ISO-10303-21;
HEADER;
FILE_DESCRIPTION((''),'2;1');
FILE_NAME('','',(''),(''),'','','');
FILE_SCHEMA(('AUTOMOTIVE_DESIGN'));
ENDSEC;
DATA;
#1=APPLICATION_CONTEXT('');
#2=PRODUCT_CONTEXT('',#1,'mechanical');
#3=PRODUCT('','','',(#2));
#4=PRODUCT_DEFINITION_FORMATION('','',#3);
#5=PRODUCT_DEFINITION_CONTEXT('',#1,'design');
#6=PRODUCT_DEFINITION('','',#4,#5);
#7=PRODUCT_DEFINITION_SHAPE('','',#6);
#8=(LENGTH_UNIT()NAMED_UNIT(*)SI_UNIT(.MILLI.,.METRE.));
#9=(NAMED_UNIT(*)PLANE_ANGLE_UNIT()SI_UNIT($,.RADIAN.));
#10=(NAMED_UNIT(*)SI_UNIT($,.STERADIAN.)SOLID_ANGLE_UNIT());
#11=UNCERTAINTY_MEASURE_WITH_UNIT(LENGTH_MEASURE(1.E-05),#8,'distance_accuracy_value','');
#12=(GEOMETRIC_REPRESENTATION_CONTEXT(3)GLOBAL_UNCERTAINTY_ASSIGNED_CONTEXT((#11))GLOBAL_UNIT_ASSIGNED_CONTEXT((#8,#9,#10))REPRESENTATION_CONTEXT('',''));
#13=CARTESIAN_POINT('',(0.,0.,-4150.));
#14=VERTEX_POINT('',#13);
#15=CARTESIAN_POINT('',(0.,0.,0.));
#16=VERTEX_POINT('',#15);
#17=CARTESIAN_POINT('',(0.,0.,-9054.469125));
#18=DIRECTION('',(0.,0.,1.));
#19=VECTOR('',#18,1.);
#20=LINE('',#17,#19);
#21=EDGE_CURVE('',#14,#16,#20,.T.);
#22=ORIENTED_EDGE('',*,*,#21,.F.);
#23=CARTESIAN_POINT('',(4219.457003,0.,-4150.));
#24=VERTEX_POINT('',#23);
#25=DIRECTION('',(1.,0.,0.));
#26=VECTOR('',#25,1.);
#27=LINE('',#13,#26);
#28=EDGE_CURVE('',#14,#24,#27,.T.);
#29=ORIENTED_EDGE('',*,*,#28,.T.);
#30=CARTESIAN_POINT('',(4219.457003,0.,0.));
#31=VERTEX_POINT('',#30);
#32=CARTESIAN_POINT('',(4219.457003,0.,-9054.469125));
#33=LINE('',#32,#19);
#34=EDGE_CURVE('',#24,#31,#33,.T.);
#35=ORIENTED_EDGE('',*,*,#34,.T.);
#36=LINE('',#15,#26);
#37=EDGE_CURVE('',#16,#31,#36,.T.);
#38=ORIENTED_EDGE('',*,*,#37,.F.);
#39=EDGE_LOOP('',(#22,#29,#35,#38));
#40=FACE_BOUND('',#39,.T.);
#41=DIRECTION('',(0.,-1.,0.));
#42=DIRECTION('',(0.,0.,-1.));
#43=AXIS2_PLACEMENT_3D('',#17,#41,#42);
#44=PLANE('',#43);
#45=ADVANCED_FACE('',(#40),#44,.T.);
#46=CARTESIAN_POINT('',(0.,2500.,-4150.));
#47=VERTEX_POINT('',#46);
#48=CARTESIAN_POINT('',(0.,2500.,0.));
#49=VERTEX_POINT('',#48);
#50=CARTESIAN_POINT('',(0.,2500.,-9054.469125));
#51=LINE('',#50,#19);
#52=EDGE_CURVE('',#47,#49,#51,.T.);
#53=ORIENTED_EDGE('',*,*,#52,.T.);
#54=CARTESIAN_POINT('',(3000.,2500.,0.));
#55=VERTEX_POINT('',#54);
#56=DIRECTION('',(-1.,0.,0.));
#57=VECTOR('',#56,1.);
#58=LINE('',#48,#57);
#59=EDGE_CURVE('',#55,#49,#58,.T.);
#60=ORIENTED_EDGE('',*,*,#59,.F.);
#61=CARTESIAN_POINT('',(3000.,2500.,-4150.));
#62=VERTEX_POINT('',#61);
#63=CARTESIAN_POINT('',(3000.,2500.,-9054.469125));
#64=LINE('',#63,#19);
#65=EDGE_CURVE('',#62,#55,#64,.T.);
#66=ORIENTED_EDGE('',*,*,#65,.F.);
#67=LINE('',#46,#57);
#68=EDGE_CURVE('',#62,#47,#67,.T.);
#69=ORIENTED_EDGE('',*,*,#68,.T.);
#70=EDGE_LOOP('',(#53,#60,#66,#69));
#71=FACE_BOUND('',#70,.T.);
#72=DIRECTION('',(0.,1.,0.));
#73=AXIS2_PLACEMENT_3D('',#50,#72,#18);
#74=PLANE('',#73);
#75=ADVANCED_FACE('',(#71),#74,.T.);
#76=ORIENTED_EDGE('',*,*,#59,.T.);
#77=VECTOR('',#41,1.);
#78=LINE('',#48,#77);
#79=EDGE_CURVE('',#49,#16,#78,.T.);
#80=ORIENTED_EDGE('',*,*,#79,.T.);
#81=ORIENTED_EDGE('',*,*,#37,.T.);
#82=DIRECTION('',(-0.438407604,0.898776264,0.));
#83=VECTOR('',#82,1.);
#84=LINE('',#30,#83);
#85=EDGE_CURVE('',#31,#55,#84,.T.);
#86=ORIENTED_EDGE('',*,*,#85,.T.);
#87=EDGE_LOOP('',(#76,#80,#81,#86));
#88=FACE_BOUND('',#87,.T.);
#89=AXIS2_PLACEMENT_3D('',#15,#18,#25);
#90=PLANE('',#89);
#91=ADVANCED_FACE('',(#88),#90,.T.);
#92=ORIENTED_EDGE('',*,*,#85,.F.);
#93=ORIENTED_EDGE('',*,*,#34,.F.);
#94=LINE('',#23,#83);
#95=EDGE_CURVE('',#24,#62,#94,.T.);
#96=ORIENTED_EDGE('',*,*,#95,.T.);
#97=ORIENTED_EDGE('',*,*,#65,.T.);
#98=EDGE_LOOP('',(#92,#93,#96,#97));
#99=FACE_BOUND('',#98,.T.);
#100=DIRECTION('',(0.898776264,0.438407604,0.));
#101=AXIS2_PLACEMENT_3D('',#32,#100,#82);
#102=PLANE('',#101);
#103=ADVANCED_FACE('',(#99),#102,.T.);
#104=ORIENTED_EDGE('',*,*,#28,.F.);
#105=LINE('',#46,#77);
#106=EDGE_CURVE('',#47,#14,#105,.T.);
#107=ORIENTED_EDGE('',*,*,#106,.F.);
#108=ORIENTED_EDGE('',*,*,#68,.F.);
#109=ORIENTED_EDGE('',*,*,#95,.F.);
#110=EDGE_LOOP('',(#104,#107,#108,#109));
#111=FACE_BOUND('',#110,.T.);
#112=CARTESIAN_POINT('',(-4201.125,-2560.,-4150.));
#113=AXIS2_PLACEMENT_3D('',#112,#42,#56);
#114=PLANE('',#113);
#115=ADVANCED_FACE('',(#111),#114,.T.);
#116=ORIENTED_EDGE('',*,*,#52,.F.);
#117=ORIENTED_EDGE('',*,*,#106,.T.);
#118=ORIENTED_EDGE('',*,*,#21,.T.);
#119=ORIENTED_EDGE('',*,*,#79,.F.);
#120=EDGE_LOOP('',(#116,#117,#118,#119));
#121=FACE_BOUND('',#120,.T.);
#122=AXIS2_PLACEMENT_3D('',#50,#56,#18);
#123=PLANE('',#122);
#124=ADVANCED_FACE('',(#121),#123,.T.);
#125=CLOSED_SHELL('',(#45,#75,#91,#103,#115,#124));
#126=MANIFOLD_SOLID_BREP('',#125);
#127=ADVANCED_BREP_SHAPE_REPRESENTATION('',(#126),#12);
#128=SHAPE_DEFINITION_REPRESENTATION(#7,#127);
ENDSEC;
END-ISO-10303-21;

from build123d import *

# Parameters (mm, degrees)
EXTRUDE_2_DEPTH = 4150


with BuildPart() as part:
    # Эскиз1 → Бобышка-Вытянуть2 (new body)
    with BuildSketch(Plane.XY):
        Polygon((0, 0), (4219.457002785, 0), (3000, 2500), (0, 2500), align=None)
    extrude(amount=-EXTRUDE_2_DEPTH)


solid = part.part
